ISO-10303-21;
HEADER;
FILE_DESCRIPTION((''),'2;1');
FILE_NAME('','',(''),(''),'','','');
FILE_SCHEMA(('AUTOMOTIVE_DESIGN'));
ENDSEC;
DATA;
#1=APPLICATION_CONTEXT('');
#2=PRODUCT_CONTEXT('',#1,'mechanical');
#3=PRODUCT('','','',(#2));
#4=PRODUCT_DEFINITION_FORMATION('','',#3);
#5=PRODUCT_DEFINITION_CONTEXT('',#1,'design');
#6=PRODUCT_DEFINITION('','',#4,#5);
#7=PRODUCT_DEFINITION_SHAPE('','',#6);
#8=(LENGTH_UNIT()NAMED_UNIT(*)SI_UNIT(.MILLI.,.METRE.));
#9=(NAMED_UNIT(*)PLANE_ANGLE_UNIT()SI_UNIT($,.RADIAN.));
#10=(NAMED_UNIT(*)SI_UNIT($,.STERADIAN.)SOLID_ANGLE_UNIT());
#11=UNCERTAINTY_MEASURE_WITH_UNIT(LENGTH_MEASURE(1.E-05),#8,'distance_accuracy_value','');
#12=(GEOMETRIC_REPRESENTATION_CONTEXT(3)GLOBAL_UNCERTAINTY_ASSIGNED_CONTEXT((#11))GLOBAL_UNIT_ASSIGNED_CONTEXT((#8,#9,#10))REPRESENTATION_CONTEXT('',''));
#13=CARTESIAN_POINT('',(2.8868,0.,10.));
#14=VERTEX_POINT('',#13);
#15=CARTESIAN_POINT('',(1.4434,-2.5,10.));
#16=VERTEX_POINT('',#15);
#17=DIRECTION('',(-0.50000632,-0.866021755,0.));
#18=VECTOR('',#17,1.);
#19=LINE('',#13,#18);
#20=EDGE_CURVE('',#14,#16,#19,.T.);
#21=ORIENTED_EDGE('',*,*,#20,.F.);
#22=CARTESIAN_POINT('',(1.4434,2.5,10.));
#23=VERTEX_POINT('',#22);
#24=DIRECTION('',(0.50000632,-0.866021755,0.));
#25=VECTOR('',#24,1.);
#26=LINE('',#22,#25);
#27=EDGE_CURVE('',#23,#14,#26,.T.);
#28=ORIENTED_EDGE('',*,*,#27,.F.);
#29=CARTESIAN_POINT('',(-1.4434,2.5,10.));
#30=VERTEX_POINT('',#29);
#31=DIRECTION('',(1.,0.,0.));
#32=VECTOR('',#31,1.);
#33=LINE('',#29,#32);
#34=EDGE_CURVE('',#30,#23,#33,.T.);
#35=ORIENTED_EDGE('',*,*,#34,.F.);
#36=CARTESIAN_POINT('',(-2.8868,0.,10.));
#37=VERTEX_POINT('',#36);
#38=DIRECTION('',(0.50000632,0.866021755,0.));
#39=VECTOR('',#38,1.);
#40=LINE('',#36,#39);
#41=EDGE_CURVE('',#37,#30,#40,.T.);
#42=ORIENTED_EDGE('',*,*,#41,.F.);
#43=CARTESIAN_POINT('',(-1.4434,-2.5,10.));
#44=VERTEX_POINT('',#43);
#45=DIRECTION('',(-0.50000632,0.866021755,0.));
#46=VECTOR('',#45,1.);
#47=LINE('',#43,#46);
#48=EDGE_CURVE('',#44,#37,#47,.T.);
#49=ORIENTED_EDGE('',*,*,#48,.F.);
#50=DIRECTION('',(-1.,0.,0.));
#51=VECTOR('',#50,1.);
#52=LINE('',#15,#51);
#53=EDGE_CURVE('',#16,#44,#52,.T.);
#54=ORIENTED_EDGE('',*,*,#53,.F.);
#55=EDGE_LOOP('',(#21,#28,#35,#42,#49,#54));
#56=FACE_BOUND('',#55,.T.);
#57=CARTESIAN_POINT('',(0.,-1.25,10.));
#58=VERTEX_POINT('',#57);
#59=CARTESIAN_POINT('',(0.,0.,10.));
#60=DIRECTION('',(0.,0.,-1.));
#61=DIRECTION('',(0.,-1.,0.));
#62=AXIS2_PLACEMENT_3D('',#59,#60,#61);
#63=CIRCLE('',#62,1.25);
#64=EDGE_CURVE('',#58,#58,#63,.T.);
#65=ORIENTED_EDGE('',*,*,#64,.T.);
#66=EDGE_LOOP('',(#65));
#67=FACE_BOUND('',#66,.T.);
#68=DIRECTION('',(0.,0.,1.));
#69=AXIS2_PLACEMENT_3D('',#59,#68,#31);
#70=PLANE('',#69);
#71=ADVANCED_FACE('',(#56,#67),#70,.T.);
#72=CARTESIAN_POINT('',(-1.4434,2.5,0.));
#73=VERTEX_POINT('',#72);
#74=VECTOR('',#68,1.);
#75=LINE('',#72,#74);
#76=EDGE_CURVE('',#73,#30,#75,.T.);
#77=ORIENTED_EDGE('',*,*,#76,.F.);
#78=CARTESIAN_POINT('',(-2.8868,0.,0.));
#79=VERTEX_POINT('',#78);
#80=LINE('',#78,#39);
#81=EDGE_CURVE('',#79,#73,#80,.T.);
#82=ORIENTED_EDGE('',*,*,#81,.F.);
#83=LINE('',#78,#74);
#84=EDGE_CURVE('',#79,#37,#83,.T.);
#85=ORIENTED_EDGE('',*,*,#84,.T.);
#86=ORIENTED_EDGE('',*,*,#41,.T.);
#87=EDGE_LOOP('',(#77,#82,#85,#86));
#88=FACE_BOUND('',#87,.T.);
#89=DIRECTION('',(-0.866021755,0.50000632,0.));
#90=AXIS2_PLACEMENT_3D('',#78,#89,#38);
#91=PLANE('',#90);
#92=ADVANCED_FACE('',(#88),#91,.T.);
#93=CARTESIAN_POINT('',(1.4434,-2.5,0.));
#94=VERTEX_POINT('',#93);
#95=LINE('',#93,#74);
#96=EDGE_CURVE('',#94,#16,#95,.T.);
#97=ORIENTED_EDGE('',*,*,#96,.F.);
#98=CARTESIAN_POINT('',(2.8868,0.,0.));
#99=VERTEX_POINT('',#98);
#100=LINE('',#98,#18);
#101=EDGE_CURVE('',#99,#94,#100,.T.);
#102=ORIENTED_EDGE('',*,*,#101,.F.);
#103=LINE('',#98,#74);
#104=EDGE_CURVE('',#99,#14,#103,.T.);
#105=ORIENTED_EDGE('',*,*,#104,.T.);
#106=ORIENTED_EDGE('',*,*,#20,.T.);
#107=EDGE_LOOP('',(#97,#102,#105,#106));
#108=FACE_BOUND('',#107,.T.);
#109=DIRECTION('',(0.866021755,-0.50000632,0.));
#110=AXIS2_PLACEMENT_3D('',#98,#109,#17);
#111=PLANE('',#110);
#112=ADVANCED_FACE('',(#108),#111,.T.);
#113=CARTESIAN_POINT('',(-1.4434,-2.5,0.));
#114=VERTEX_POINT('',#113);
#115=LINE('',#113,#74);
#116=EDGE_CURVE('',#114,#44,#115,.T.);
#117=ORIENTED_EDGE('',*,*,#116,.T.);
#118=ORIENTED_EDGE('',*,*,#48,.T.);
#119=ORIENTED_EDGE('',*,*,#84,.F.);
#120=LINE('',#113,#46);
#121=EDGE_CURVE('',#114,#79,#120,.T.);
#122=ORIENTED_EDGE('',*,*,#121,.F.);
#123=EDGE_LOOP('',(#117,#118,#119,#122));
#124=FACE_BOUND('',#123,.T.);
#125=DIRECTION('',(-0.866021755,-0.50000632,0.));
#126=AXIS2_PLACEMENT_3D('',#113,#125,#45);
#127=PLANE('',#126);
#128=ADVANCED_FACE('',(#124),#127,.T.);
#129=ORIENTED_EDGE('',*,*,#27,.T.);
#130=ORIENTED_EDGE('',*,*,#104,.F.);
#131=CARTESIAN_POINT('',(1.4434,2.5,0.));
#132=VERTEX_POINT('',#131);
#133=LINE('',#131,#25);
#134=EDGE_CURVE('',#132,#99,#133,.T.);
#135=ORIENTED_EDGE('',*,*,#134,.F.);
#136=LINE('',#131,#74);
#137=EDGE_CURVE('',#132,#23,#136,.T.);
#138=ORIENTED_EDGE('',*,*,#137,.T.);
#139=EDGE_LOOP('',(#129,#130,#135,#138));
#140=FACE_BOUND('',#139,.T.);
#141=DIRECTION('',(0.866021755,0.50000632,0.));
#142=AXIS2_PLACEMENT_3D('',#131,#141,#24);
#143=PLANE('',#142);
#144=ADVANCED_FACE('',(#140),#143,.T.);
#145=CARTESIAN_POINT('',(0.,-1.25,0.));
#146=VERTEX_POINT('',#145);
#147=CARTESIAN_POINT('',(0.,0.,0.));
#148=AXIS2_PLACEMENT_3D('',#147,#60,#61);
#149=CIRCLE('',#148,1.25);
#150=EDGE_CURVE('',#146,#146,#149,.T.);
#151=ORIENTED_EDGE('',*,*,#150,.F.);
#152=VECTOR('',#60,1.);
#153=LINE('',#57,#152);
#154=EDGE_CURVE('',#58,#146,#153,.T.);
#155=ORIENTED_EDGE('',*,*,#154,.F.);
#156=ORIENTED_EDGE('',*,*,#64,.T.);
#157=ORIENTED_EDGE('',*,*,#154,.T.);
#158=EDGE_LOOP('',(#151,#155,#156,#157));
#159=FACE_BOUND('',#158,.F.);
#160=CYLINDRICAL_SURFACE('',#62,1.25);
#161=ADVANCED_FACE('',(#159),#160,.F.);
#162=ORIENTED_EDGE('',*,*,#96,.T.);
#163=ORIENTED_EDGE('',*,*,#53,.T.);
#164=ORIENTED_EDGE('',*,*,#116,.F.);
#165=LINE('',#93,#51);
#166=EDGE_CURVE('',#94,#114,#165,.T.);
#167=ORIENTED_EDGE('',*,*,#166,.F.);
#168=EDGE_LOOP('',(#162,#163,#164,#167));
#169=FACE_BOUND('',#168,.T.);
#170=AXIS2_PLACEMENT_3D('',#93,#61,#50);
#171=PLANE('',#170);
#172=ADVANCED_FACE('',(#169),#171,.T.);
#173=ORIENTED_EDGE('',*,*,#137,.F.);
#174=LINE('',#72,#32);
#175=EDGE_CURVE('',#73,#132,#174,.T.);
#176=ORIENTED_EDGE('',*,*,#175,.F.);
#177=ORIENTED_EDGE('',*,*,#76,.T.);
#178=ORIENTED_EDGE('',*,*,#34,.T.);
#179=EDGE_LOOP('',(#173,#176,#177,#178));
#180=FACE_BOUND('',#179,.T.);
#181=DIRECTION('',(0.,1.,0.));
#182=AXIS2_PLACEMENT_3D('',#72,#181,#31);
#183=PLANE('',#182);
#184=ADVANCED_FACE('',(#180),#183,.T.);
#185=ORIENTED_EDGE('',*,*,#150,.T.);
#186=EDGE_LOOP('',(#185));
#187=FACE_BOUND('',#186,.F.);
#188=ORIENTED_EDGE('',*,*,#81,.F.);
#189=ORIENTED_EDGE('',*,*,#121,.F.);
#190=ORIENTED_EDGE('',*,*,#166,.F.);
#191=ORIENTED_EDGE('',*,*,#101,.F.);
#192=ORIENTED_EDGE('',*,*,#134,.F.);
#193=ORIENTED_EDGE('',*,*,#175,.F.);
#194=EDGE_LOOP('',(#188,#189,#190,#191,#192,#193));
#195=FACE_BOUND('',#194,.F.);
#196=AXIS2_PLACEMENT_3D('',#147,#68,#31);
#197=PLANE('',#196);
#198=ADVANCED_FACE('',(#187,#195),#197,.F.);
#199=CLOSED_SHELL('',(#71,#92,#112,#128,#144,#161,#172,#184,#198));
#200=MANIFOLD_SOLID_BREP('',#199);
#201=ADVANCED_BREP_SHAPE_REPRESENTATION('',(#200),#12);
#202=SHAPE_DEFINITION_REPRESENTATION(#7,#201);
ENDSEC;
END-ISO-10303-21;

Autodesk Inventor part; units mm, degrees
ref_plane "YZ Plane" through (0, 0, 0) normal (1, 0, 0) x (0, 1, 0)
ref_plane "XZ Plane" through (0, 0, 0) normal (0, 1, 0) x (-1, 0, 0)
ref_plane "XY Plane" through (0, 0, 0) normal (0, 0, 1) x (1, 0, 0)
sketch "Skizze1" plane through (0, 0, 0) normal (0, 0, 1) x (1, 0, 0)
  line L0 (-1.4434, 2.5) -> (1.4434, 2.5)
  line L1 (1.4434, 2.5) -> (2.8868, 0)
  line L2 (2.8868, 0) -> (1.4434, -2.5)
  line L3 (1.4434, -2.5) -> (-1.4434, -2.5)
  line L4 (-1.4434, -2.5) -> (-2.8868, 0)
  line L5 (-2.8868, 0) -> (-1.4434, 2.5)
  point P0 (0, 0)
  point P1 (0, 0)
  point P2 (0, 2.5)
  point P3 (0, -2.5)
  dimension "d3" = 120
  dimension "d4" = 120
  dimension "d5" = 120
  dimension "d6" = 5
extrude "Extrusion1" add sketch "Skizze1" along normal blind 10
sketch "Skizze2" plane through (0, 0, 10) normal (0, 0, 1) x (1, 0, 0)
  point P0 (0, 0)
  point P1 (0, 0)
hole "Bohrung1" at (0, 0, 10) direction (0, 0, -1) diameter 2.5 end through all
thread "Gewinde1" size "M2.5x0.45" class "6H" standard "ANSI Metric M Profile" full length
properties part number "10mm_Innengewinde"
